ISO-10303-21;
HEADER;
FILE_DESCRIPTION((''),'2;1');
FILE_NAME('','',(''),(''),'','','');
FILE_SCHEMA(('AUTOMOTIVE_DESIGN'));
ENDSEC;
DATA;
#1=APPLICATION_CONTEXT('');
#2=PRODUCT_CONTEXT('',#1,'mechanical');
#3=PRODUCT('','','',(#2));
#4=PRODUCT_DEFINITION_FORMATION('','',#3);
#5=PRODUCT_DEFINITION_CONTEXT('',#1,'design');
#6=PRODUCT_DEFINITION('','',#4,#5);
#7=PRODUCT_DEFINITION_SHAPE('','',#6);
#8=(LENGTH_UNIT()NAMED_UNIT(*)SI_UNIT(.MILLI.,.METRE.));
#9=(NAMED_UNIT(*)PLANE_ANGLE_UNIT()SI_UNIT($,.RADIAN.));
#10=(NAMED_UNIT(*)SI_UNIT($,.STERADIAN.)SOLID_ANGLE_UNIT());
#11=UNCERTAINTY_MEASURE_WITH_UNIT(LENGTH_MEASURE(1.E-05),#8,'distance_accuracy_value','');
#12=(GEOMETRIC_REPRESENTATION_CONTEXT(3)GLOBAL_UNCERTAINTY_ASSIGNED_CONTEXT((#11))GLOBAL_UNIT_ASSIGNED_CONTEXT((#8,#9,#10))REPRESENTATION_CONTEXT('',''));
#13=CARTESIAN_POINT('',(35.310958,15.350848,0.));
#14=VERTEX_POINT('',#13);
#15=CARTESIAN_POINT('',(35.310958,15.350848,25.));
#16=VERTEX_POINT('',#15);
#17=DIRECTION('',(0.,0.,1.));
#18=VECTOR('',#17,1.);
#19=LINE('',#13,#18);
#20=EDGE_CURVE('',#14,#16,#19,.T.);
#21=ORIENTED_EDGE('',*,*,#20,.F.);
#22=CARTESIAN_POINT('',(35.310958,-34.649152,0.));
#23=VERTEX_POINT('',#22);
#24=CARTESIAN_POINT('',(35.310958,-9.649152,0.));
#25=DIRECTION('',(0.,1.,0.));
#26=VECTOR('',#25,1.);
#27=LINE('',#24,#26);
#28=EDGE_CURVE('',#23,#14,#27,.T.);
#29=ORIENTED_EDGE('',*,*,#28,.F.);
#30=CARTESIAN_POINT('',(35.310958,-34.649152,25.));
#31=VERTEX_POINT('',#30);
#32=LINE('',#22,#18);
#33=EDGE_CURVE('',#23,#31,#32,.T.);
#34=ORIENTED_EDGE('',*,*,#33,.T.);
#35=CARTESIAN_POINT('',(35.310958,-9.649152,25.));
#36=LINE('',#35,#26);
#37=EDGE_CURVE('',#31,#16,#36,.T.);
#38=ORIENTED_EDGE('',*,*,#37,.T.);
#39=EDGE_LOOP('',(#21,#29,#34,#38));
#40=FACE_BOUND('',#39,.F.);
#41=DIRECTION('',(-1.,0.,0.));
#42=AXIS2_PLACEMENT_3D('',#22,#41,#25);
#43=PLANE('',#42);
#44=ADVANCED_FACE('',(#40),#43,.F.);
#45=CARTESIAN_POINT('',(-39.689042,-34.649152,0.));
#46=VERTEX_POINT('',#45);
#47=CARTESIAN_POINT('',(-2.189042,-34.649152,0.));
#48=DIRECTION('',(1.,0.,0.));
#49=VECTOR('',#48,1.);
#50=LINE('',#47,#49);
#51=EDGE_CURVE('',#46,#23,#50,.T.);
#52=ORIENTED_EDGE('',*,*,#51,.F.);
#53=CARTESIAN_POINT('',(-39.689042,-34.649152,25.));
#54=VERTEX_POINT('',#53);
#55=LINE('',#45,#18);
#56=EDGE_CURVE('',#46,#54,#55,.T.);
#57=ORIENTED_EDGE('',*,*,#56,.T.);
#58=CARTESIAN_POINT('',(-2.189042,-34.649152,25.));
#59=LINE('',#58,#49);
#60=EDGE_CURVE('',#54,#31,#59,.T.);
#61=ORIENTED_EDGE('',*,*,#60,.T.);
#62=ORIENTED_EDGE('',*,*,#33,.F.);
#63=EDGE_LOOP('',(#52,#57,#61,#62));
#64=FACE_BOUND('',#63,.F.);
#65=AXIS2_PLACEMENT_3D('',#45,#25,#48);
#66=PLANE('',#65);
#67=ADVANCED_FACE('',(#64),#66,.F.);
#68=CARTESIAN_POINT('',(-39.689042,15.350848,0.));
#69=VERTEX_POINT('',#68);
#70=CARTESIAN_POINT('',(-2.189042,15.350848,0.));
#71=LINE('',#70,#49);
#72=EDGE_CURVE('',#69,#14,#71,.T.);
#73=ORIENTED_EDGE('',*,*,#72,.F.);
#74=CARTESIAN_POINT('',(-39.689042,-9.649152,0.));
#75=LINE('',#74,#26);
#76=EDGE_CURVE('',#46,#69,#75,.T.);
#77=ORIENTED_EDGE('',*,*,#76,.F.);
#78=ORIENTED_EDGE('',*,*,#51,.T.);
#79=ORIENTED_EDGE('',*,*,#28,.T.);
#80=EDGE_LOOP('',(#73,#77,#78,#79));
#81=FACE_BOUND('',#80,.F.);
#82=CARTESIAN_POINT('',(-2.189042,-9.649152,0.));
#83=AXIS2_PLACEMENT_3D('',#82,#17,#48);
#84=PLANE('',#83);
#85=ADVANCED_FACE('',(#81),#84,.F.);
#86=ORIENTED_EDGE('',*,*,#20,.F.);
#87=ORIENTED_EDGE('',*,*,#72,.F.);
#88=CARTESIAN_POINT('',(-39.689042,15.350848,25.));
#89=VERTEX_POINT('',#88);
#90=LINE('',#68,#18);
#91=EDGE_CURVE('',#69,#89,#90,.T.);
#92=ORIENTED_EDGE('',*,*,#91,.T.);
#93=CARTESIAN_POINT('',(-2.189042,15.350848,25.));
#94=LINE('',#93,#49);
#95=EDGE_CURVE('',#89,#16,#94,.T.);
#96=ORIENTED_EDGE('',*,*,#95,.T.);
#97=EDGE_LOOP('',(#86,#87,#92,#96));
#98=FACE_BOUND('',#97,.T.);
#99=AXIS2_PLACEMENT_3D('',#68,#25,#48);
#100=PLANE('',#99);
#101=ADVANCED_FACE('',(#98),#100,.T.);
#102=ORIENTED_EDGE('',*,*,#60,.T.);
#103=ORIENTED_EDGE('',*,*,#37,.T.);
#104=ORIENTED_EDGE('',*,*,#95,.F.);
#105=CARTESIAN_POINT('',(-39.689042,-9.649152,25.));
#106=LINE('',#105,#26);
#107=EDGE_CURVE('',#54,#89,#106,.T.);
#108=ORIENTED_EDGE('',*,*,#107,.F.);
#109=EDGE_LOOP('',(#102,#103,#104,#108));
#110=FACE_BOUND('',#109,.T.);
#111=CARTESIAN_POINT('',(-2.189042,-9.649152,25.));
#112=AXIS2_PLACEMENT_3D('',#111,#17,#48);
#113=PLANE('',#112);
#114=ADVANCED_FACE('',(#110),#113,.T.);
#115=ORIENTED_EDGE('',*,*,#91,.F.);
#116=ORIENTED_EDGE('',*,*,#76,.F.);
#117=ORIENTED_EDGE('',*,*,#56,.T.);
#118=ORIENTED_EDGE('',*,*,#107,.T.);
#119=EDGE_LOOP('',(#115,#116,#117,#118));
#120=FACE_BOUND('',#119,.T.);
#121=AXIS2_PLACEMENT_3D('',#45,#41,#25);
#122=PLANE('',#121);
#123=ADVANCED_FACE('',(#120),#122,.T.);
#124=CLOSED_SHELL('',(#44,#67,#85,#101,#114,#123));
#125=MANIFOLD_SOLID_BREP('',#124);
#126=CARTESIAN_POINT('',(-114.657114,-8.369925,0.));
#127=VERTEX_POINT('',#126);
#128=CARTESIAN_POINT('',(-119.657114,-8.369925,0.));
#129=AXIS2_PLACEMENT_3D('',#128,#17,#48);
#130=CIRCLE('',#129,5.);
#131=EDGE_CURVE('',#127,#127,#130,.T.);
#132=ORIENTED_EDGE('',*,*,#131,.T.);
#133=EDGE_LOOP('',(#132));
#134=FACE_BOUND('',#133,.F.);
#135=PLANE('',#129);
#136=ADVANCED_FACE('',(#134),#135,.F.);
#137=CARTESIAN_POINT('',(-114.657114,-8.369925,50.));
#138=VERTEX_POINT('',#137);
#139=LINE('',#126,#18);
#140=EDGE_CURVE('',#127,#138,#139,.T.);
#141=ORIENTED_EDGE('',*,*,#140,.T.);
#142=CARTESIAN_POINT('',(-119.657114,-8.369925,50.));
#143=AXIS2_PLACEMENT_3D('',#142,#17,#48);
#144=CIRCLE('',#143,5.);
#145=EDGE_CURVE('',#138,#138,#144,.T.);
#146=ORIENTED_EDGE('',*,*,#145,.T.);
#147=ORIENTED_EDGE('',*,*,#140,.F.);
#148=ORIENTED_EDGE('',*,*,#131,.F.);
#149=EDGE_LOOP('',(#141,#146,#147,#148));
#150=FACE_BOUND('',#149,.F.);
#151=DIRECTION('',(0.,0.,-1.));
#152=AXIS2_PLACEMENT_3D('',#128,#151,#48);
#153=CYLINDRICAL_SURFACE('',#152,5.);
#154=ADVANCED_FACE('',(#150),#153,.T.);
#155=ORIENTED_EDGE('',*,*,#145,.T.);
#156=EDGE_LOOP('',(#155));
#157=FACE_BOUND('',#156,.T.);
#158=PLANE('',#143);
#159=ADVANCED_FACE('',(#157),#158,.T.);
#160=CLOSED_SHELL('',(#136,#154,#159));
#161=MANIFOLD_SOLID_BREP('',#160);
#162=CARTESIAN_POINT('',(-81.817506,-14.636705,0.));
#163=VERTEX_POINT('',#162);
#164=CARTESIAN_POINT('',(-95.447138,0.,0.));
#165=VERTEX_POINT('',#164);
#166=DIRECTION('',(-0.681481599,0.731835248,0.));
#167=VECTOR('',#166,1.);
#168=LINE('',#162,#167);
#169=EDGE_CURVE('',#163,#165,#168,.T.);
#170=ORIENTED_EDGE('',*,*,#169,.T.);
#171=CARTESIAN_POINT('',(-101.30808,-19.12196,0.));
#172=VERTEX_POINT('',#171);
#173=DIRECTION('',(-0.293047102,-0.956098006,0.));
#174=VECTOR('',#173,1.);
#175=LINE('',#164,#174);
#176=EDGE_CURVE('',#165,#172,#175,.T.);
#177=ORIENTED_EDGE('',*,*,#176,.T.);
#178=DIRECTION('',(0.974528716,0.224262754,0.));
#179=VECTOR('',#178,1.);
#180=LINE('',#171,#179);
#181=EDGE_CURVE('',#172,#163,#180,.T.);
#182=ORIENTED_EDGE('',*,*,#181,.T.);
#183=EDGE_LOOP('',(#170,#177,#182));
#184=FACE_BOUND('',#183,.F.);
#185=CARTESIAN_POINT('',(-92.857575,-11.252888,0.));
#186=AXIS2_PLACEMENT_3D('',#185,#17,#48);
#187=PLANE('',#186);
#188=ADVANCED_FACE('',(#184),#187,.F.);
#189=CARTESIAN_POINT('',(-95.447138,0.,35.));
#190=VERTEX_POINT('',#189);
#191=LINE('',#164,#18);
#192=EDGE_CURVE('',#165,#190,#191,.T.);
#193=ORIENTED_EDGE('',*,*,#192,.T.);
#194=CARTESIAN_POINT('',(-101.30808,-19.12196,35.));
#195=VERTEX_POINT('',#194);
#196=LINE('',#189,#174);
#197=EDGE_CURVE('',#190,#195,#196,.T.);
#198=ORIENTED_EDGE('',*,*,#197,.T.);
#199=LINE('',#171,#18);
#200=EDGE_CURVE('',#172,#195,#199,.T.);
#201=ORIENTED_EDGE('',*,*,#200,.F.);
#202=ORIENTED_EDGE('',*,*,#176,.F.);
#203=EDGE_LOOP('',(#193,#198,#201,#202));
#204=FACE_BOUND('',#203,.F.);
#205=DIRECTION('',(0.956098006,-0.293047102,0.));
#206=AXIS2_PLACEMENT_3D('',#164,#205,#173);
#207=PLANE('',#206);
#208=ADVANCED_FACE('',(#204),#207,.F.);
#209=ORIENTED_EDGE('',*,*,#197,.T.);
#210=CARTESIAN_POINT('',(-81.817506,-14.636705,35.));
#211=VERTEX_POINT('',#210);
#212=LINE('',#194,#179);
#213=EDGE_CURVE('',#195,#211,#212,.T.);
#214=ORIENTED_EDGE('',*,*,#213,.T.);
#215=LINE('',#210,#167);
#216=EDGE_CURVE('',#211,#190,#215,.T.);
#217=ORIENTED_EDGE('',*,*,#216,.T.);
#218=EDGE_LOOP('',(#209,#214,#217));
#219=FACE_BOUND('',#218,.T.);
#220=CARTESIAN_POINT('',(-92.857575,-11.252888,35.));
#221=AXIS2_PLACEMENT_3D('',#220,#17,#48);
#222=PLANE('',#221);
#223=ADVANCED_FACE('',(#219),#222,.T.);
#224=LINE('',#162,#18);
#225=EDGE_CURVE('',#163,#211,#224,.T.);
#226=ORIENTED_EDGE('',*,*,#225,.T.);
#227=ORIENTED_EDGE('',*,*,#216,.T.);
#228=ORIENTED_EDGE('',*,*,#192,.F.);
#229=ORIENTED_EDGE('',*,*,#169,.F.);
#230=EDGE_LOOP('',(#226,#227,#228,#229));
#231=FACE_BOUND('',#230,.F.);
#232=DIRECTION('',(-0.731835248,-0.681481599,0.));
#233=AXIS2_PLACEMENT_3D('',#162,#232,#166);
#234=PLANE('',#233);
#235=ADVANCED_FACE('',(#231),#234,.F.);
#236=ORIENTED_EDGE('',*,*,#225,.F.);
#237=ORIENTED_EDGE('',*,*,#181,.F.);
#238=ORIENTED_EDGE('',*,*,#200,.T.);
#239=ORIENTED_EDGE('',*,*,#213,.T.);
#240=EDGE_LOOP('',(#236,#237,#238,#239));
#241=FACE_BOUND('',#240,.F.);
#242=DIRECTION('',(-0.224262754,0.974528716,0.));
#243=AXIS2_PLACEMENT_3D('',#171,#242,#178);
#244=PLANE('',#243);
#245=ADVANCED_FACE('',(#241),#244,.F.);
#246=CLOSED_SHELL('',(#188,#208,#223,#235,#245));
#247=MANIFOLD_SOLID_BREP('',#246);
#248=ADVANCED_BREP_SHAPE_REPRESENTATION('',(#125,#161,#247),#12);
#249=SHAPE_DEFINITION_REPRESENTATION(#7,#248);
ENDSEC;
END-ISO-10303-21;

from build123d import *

# Parameters (mm, degrees)
F0_W     = 75
F0_H     = 50
F1_DEPTH = 25
F2_R     = 5
F3_DEPTH = 50
F5_DEPTH = 35


with BuildPart() as f1:
    # F0 (on Top) → F1 (new body)
    with BuildSketch(Plane.XY):
        with Locations((-2.189042, -9.649152)):
            Rectangle(F0_W, F0_H)
    extrude(amount=F1_DEPTH)


with BuildPart() as f3:
    # F2 (on Top) → F3 (new body)
    with BuildSketch(Plane.XY):
        with Locations((-119.657114, -8.369925)):
            Circle(F2_R)
    extrude(amount=F3_DEPTH)


with BuildPart() as f5:
    # F4 (on Top) → F5 (new body)
    with BuildSketch(Plane.XY):
        Polygon((-95.447138, 0), (-101.30808, -19.12196), (-81.817506, -14.636705), align=None)
    extrude(amount=F5_DEPTH)


solid = Compound([f1.part, f3.part, f5.part])
